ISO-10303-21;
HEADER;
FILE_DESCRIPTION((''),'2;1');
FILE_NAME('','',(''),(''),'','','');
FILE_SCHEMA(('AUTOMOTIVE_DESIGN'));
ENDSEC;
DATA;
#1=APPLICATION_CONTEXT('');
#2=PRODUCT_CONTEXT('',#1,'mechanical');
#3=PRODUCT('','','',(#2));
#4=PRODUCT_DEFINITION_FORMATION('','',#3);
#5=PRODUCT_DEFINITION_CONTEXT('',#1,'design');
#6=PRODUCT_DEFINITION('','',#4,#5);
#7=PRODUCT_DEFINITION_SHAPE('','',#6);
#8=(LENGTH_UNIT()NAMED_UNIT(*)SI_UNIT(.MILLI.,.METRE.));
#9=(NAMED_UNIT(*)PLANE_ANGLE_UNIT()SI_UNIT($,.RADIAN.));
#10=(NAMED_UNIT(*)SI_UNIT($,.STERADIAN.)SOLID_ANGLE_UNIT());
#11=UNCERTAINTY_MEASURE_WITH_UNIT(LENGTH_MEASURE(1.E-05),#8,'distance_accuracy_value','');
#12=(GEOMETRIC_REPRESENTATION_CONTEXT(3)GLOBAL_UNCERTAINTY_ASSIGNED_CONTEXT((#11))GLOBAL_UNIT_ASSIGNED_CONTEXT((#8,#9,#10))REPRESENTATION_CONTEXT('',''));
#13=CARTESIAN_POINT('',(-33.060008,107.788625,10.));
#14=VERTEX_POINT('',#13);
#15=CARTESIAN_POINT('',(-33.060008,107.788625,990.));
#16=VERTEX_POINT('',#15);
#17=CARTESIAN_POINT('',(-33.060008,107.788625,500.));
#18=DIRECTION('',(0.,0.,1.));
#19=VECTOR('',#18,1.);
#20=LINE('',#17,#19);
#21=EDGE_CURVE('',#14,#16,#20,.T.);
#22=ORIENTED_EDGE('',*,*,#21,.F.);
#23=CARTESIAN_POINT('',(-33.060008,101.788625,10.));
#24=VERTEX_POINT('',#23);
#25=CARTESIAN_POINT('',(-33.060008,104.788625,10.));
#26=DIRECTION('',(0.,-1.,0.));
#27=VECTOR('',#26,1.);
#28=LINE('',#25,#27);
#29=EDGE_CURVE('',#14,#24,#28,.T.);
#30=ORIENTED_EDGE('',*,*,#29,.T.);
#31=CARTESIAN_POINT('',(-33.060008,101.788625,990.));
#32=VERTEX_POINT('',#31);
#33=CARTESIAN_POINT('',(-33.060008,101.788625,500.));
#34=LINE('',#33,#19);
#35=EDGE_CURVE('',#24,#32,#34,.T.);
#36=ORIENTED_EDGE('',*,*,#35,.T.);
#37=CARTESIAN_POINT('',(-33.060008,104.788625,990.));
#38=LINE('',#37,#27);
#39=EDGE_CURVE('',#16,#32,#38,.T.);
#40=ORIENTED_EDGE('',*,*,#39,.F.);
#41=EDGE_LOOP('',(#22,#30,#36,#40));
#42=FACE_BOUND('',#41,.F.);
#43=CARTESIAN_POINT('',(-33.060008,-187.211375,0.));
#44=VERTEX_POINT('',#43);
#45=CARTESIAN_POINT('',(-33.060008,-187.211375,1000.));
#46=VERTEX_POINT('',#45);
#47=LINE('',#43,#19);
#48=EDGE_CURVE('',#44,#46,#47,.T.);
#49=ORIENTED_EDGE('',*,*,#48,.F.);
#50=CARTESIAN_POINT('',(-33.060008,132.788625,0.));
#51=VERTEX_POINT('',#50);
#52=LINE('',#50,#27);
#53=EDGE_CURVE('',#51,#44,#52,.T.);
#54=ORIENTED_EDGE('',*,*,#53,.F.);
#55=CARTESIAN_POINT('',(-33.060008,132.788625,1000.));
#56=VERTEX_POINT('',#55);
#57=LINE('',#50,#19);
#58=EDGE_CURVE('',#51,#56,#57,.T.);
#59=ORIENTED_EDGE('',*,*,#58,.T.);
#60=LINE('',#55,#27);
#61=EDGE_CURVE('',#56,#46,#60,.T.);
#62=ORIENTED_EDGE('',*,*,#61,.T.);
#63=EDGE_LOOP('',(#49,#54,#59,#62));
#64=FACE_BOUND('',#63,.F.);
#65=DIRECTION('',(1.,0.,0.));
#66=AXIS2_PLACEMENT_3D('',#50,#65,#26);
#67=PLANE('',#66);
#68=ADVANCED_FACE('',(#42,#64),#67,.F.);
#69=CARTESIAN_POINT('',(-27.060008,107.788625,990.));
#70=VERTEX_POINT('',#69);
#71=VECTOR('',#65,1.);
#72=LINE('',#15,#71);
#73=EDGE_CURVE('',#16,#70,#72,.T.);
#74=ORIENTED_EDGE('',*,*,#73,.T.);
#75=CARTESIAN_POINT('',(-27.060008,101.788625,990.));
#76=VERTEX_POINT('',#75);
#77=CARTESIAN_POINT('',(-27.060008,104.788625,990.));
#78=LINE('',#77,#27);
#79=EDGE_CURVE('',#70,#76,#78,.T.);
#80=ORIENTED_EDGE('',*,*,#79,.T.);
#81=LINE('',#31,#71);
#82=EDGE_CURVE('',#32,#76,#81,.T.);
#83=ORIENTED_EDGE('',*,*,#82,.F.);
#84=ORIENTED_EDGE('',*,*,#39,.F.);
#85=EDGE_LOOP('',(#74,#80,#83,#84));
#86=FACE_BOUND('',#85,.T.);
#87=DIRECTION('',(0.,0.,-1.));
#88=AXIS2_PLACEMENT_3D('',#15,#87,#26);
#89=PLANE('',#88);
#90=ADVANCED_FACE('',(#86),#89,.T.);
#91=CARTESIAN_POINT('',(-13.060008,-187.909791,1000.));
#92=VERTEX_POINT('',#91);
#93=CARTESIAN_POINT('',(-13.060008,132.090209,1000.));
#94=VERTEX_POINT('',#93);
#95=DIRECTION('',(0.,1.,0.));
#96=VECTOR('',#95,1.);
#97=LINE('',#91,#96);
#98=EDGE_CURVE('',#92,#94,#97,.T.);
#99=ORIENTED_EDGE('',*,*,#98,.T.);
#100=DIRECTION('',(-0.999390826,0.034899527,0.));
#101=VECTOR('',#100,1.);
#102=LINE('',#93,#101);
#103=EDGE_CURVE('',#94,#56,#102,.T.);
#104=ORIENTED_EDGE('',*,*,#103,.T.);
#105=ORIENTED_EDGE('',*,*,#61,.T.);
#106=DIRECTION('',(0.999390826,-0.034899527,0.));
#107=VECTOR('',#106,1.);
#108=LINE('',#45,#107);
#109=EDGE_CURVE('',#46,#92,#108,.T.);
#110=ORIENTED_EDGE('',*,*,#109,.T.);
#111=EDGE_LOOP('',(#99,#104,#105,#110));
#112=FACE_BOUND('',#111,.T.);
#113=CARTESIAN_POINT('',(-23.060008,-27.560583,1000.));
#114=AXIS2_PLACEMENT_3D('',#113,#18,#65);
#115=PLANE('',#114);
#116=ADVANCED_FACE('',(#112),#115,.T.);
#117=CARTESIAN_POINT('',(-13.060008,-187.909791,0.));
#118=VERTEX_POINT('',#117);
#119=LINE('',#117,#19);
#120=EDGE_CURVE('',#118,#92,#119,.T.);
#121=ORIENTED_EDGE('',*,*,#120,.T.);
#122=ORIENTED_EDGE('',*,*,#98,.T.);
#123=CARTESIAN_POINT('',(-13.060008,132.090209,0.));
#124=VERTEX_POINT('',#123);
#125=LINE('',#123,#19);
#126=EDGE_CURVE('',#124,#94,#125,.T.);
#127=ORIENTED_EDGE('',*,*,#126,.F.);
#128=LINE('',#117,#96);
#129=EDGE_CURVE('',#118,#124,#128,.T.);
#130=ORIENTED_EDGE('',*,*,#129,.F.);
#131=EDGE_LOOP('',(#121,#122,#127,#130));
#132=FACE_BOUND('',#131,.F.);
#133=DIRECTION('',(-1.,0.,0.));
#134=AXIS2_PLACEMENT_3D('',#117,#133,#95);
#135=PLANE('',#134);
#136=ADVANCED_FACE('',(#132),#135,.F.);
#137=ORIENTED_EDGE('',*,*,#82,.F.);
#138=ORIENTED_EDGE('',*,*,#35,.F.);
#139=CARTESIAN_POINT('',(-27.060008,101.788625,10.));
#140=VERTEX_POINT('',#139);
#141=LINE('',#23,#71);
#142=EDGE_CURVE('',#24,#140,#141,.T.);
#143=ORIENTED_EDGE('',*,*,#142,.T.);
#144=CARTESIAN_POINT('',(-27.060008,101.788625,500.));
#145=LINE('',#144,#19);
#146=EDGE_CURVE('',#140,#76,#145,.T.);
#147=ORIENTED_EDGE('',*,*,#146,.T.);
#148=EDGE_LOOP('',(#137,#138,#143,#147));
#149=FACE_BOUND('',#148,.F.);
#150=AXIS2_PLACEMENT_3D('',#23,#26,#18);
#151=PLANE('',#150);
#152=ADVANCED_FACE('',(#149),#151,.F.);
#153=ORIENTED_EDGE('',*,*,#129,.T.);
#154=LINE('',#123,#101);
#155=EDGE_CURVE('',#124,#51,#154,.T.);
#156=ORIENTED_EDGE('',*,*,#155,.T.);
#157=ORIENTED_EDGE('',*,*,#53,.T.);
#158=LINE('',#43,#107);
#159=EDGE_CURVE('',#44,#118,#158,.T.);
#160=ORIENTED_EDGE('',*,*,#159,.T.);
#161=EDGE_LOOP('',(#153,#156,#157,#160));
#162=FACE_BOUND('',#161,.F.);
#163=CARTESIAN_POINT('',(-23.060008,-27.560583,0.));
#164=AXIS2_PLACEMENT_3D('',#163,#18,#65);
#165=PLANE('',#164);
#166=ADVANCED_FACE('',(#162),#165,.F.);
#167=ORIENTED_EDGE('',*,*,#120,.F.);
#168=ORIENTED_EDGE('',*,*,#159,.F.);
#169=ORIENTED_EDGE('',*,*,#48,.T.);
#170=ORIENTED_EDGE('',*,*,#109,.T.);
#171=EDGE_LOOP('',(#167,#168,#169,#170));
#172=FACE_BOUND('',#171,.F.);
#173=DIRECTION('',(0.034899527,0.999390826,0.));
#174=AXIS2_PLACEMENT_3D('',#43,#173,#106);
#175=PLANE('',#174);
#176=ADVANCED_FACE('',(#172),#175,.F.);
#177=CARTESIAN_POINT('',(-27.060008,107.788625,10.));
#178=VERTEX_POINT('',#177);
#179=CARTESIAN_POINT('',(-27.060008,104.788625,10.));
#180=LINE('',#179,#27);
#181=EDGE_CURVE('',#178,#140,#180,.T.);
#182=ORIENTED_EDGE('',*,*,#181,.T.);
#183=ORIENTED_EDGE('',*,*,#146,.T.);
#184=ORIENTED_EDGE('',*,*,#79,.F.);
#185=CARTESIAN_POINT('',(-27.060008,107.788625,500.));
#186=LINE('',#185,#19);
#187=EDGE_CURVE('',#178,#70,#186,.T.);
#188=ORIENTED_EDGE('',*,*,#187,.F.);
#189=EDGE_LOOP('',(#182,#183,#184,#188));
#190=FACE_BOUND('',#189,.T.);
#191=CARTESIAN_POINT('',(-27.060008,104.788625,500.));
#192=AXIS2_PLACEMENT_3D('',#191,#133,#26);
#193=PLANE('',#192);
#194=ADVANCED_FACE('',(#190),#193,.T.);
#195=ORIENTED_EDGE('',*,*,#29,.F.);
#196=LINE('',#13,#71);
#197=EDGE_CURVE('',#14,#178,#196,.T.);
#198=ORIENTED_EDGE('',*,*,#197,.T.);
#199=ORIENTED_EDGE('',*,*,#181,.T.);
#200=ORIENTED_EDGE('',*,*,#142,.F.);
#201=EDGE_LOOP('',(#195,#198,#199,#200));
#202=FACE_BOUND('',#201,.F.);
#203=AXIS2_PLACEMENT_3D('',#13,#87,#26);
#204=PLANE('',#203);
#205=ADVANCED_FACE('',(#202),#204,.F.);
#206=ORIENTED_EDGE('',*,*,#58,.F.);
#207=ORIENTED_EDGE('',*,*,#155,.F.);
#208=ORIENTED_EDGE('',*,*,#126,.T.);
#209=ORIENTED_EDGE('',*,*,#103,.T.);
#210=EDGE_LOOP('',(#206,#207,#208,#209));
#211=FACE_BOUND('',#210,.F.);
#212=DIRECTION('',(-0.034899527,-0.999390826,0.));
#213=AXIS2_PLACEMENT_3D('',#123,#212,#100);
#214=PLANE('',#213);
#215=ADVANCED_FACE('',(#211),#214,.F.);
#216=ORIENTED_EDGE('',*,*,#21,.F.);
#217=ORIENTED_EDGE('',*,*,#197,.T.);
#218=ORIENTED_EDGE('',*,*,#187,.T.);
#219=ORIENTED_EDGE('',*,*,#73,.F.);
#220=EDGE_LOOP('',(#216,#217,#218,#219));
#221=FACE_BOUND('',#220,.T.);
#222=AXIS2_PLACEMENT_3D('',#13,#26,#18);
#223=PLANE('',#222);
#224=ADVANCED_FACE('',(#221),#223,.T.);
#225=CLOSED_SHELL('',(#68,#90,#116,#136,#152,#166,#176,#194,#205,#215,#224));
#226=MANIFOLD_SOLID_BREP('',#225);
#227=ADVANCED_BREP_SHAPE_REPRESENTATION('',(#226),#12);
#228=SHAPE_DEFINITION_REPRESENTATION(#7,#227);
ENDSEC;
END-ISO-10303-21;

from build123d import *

# Parameters (mm, degrees)
F1_DEPTH = 1000
F2_W     = 6
F2_H     = 980
F3_DEPTH = 6


with BuildPart() as f1:
    # F0 (on Top) → F1 (new body)
    with BuildSketch(Plane.XY):
        Polygon((-13.060008, -187.909791), (-13.060008, 132.090209), (-33.060008, 132.788625), (-33.060008, -187.211375), align=None)
    extrude(amount=F1_DEPTH)

    # F2 (on face) → F3 (cut)
    with BuildSketch(Plane(origin=(-33.060008, 0, 0), x_dir=(0, -1, 0), z_dir=(-1, 0, 0))):
        with Locations((-104.788625, 500)):
            Rectangle(F2_W, F2_H)
    extrude(amount=-F3_DEPTH, mode=Mode.SUBTRACT)


solid = f1.part
